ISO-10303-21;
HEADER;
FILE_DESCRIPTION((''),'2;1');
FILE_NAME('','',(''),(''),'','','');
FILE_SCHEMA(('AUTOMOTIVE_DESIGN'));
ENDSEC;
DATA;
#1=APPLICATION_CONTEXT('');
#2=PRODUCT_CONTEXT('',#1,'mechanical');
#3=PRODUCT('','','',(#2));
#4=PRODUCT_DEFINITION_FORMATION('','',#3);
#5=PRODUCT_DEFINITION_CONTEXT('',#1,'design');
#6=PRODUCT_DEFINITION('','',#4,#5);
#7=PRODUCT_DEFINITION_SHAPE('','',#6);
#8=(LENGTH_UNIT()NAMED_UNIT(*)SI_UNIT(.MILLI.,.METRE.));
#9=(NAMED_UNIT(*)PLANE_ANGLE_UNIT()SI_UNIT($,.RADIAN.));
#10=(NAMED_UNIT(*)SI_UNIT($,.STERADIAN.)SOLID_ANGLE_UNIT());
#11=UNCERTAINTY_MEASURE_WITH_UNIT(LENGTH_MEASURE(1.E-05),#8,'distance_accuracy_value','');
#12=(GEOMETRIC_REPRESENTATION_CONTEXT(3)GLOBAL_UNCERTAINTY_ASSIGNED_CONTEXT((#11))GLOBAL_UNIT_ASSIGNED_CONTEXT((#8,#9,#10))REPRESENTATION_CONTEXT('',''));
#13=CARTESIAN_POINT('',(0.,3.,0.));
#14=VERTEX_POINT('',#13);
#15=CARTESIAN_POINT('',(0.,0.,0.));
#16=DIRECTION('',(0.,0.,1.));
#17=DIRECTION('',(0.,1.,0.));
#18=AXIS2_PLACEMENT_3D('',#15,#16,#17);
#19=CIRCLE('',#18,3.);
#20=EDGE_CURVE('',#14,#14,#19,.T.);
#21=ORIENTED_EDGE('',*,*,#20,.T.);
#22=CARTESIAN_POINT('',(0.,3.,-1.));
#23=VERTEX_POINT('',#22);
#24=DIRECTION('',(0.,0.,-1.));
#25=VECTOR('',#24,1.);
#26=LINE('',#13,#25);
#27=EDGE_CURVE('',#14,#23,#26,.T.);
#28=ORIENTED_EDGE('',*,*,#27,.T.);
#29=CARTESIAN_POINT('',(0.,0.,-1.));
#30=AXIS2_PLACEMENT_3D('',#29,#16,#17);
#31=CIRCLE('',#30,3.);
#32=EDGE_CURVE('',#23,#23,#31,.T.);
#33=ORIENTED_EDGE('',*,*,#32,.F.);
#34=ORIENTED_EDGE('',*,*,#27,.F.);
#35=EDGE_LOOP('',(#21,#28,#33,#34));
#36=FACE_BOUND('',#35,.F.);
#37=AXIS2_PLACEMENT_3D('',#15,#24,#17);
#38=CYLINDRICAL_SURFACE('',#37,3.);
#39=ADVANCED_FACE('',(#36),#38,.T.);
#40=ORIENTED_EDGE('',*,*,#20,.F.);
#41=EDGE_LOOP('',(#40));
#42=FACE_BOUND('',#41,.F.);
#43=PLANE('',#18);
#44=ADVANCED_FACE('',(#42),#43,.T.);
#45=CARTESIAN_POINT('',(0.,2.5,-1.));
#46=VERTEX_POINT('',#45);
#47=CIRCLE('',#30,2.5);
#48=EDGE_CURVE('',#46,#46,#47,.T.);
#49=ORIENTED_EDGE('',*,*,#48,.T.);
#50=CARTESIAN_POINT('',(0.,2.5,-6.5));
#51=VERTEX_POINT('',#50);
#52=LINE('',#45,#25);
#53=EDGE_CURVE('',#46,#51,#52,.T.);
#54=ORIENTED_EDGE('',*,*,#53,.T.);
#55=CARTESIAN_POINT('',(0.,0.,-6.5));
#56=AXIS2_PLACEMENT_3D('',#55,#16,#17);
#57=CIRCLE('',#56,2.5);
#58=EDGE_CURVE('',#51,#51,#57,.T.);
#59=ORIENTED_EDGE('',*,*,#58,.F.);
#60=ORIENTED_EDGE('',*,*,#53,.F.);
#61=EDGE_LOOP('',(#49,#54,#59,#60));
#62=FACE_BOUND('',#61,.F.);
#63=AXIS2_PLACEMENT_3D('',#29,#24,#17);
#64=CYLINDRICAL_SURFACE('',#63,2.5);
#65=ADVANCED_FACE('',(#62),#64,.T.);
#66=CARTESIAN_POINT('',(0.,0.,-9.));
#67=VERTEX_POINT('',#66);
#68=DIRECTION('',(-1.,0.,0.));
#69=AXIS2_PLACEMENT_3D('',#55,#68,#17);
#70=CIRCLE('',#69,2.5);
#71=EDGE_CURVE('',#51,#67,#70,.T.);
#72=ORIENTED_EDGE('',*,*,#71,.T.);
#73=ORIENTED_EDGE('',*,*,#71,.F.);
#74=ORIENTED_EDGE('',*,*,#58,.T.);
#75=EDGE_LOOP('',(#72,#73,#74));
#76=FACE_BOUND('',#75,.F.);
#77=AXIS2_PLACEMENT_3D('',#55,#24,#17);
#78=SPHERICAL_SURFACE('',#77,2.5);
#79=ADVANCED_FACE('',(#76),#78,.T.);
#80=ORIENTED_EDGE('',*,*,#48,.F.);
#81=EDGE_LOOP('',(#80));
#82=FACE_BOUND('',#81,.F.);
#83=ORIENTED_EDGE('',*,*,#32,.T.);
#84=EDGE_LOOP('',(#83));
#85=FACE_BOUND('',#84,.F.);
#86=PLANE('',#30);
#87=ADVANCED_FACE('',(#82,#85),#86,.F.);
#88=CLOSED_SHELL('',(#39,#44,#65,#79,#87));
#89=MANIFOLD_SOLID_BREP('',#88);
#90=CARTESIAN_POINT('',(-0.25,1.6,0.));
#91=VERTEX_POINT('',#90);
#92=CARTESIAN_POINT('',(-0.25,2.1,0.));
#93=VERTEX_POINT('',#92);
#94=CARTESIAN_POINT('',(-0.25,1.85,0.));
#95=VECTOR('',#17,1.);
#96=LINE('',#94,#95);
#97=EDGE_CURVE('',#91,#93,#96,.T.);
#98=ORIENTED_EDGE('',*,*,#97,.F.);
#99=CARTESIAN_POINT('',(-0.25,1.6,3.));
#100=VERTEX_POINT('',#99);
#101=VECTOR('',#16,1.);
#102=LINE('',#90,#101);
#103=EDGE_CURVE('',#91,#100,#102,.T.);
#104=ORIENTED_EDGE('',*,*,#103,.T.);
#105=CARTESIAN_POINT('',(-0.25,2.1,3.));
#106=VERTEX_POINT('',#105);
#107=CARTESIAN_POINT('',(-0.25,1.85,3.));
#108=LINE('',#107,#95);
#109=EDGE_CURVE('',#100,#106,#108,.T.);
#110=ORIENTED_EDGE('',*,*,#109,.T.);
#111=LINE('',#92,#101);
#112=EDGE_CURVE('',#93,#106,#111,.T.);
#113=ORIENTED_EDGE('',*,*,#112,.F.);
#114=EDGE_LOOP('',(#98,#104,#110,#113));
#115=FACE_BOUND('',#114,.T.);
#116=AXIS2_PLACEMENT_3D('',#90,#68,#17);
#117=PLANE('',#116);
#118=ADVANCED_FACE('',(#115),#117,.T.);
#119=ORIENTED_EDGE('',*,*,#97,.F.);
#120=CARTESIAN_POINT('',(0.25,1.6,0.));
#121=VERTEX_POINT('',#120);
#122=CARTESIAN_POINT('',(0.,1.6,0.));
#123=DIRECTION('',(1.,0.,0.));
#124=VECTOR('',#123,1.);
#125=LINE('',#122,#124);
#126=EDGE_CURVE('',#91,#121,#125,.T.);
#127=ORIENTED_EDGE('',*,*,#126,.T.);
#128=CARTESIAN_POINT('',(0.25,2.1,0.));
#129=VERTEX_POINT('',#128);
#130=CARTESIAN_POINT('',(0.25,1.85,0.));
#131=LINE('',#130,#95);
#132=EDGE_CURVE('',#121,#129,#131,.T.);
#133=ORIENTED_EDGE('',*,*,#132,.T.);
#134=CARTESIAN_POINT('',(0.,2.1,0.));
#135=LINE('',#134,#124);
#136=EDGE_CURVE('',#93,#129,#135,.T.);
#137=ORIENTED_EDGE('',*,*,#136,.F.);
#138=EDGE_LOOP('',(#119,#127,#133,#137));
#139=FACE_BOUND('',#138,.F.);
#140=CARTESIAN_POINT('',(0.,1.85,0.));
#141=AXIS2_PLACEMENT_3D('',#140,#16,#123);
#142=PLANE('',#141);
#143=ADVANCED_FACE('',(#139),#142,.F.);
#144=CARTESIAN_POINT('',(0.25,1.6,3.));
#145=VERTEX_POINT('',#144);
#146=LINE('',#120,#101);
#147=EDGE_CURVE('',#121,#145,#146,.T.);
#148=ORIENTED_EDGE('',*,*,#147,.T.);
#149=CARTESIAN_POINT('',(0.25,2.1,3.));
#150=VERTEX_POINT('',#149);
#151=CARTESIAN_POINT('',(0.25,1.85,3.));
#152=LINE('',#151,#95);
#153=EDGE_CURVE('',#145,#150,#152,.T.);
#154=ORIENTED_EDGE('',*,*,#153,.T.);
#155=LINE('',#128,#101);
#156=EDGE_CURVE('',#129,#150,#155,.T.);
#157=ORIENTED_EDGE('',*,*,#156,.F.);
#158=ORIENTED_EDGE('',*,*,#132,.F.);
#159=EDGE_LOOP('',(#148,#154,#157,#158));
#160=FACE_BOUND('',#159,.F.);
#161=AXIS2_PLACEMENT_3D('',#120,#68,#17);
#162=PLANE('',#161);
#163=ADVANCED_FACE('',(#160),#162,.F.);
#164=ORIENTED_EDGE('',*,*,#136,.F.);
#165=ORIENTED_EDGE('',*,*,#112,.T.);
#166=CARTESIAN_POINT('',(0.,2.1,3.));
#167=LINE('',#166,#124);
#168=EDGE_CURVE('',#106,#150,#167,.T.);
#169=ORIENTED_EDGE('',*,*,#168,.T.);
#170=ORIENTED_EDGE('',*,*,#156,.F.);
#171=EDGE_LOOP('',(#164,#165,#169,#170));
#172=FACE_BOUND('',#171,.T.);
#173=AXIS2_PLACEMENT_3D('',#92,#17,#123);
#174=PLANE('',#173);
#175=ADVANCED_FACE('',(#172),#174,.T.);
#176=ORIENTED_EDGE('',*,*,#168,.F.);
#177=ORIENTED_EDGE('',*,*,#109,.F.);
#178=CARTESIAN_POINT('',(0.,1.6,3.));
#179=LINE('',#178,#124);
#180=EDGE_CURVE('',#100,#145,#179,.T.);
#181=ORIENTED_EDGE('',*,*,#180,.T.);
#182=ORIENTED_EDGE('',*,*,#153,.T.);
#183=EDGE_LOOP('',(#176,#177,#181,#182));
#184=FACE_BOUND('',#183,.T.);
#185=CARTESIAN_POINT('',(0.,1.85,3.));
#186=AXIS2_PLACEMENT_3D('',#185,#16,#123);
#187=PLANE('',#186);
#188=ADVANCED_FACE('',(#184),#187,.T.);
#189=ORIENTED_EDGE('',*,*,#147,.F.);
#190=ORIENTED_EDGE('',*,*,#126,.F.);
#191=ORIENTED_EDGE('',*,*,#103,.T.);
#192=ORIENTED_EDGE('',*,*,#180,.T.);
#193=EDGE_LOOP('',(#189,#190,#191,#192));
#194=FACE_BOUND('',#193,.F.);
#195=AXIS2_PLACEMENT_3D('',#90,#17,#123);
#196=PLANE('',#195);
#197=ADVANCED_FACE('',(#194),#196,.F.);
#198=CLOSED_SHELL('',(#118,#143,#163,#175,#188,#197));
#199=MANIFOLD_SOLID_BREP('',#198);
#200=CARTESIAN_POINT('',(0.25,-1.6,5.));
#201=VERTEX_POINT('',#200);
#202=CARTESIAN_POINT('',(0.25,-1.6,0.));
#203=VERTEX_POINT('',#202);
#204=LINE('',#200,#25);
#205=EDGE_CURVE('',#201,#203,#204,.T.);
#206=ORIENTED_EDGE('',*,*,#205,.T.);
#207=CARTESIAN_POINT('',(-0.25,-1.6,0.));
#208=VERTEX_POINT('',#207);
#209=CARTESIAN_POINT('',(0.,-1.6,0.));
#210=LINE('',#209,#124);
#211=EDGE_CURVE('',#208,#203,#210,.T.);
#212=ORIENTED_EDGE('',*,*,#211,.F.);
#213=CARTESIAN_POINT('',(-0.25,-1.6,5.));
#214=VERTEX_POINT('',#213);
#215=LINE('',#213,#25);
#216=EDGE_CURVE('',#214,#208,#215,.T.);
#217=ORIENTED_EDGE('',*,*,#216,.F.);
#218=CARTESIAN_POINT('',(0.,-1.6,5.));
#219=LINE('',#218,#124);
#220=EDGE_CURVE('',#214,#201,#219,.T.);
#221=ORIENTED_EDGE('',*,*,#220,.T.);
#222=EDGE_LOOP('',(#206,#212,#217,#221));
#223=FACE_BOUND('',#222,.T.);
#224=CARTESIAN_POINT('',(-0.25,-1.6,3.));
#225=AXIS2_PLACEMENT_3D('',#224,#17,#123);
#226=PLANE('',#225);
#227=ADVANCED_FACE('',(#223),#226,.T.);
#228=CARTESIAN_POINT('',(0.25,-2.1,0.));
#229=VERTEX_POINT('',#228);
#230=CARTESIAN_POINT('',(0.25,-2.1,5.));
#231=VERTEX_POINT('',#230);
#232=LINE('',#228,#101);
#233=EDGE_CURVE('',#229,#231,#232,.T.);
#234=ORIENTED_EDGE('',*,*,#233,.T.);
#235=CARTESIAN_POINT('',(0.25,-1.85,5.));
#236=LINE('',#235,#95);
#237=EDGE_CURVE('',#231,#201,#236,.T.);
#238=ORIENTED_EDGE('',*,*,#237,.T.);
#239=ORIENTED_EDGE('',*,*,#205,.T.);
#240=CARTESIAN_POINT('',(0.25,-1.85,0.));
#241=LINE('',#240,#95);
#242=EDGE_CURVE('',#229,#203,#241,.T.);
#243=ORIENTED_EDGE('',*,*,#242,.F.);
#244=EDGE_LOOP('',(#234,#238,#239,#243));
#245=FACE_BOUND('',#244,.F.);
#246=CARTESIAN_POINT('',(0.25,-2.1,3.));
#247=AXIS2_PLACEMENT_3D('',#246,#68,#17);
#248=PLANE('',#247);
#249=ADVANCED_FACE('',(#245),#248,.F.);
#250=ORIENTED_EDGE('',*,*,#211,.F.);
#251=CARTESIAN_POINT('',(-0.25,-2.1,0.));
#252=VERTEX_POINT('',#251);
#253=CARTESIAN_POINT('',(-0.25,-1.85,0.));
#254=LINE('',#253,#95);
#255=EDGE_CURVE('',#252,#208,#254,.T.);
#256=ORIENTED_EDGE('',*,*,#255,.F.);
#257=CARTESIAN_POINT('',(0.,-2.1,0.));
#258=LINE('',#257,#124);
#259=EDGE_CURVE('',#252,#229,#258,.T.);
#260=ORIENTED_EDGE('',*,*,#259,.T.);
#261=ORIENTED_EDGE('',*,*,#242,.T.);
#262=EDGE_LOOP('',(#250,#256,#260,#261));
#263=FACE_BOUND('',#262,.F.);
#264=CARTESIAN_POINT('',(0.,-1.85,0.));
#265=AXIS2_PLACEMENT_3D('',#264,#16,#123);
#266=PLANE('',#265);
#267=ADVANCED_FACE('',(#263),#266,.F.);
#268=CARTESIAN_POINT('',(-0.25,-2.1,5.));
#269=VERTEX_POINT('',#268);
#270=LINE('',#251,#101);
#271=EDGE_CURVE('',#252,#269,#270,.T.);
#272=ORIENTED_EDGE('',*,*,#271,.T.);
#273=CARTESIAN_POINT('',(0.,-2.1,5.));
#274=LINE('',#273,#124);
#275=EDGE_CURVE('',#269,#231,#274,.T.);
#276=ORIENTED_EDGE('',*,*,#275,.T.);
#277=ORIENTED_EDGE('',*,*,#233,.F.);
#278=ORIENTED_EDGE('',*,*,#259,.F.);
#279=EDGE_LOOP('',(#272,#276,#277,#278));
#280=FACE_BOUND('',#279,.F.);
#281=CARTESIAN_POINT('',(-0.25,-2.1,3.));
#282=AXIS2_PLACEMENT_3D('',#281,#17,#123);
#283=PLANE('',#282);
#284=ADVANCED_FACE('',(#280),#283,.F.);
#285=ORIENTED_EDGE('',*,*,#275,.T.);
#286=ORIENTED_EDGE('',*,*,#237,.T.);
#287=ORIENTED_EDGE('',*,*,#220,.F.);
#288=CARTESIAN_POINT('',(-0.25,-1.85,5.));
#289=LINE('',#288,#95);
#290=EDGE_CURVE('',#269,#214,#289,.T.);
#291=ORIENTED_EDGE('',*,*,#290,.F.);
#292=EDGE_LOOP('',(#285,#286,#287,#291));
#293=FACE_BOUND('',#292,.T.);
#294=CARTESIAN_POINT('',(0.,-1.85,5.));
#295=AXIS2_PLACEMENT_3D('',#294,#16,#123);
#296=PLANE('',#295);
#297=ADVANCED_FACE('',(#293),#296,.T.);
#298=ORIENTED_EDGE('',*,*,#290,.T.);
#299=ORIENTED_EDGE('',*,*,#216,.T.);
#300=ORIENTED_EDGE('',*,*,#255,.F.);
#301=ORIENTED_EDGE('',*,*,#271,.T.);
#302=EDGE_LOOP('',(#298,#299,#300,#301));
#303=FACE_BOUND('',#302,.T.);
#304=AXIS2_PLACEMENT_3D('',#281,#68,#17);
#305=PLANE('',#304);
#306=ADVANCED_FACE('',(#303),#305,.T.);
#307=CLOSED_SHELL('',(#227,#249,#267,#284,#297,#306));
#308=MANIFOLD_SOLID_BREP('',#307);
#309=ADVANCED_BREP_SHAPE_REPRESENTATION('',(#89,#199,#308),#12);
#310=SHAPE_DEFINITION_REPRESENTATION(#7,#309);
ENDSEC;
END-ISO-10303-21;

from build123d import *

# Parameters (mm, degrees)
FILLET_1_R        = 2.5
SKETCH_2_W        = 0.5
SKETCH_2_H        = 0.5
EXTRUDE_1_DEPTH   = 3
EXTRUDE_1_2_DEPTH = 3
SKETCH_3_W        = 0.5
SKETCH_3_H        = 0.5
EXTRUDE_2_DEPTH   = 2


with BuildPart() as part:
    # Эскиз1 → Повернуть1 (revolve)
    with BuildSketch(Plane(origin=(0, 0, 0), x_dir=(0, 0, -1), z_dir=(1, 0, 0))):
        Polygon((0, 0), (0, 3), (1, 3), (1, 2.5), (9, 2.5), (9, 0), align=None)
    revolve(axis=Axis((0, 0, -9), (0, 0, 1)))

    # Скругление1
    fillet_1_edges = [part.edges().sort_by_distance(p)[0] for p in [
        (0, -2.5, -9),
    ]]
    fillet(fillet_1_edges, radius=FILLET_1_R)


with BuildPart() as body_2:
    # Эскиз2 → Бобышка-Вытянуть1 (new body)
    with BuildSketch(Plane.XY):
        with Locations((0, -1.85)):
            Rectangle(SKETCH_2_W, SKETCH_2_H)
    extrude(amount=EXTRUDE_1_DEPTH)


with BuildPart() as body_3:
    # Эскиз2 → Extrude 1 2 (new body)
    with BuildSketch(Plane.XY):
        with Locations((0, 1.85)):
            Rectangle(SKETCH_2_W, SKETCH_2_H)
    extrude(amount=EXTRUDE_1_2_DEPTH)


with BuildPart() as body_4:
    # Эскиз3 → Бобышка-Вытянуть2 (new body)
    with BuildSketch(Plane.XY.offset(3)):
        with Locations((0, -1.85)):
            Rectangle(SKETCH_3_W, SKETCH_3_H)
    extrude(amount=EXTRUDE_2_DEPTH)


with BuildPart() as body_2_1:
    add(body_2.part)

    # Combine 1: union body 4
    add(body_4.part)


solid = Compound([part.part, body_3.part, body_2_1.part])
